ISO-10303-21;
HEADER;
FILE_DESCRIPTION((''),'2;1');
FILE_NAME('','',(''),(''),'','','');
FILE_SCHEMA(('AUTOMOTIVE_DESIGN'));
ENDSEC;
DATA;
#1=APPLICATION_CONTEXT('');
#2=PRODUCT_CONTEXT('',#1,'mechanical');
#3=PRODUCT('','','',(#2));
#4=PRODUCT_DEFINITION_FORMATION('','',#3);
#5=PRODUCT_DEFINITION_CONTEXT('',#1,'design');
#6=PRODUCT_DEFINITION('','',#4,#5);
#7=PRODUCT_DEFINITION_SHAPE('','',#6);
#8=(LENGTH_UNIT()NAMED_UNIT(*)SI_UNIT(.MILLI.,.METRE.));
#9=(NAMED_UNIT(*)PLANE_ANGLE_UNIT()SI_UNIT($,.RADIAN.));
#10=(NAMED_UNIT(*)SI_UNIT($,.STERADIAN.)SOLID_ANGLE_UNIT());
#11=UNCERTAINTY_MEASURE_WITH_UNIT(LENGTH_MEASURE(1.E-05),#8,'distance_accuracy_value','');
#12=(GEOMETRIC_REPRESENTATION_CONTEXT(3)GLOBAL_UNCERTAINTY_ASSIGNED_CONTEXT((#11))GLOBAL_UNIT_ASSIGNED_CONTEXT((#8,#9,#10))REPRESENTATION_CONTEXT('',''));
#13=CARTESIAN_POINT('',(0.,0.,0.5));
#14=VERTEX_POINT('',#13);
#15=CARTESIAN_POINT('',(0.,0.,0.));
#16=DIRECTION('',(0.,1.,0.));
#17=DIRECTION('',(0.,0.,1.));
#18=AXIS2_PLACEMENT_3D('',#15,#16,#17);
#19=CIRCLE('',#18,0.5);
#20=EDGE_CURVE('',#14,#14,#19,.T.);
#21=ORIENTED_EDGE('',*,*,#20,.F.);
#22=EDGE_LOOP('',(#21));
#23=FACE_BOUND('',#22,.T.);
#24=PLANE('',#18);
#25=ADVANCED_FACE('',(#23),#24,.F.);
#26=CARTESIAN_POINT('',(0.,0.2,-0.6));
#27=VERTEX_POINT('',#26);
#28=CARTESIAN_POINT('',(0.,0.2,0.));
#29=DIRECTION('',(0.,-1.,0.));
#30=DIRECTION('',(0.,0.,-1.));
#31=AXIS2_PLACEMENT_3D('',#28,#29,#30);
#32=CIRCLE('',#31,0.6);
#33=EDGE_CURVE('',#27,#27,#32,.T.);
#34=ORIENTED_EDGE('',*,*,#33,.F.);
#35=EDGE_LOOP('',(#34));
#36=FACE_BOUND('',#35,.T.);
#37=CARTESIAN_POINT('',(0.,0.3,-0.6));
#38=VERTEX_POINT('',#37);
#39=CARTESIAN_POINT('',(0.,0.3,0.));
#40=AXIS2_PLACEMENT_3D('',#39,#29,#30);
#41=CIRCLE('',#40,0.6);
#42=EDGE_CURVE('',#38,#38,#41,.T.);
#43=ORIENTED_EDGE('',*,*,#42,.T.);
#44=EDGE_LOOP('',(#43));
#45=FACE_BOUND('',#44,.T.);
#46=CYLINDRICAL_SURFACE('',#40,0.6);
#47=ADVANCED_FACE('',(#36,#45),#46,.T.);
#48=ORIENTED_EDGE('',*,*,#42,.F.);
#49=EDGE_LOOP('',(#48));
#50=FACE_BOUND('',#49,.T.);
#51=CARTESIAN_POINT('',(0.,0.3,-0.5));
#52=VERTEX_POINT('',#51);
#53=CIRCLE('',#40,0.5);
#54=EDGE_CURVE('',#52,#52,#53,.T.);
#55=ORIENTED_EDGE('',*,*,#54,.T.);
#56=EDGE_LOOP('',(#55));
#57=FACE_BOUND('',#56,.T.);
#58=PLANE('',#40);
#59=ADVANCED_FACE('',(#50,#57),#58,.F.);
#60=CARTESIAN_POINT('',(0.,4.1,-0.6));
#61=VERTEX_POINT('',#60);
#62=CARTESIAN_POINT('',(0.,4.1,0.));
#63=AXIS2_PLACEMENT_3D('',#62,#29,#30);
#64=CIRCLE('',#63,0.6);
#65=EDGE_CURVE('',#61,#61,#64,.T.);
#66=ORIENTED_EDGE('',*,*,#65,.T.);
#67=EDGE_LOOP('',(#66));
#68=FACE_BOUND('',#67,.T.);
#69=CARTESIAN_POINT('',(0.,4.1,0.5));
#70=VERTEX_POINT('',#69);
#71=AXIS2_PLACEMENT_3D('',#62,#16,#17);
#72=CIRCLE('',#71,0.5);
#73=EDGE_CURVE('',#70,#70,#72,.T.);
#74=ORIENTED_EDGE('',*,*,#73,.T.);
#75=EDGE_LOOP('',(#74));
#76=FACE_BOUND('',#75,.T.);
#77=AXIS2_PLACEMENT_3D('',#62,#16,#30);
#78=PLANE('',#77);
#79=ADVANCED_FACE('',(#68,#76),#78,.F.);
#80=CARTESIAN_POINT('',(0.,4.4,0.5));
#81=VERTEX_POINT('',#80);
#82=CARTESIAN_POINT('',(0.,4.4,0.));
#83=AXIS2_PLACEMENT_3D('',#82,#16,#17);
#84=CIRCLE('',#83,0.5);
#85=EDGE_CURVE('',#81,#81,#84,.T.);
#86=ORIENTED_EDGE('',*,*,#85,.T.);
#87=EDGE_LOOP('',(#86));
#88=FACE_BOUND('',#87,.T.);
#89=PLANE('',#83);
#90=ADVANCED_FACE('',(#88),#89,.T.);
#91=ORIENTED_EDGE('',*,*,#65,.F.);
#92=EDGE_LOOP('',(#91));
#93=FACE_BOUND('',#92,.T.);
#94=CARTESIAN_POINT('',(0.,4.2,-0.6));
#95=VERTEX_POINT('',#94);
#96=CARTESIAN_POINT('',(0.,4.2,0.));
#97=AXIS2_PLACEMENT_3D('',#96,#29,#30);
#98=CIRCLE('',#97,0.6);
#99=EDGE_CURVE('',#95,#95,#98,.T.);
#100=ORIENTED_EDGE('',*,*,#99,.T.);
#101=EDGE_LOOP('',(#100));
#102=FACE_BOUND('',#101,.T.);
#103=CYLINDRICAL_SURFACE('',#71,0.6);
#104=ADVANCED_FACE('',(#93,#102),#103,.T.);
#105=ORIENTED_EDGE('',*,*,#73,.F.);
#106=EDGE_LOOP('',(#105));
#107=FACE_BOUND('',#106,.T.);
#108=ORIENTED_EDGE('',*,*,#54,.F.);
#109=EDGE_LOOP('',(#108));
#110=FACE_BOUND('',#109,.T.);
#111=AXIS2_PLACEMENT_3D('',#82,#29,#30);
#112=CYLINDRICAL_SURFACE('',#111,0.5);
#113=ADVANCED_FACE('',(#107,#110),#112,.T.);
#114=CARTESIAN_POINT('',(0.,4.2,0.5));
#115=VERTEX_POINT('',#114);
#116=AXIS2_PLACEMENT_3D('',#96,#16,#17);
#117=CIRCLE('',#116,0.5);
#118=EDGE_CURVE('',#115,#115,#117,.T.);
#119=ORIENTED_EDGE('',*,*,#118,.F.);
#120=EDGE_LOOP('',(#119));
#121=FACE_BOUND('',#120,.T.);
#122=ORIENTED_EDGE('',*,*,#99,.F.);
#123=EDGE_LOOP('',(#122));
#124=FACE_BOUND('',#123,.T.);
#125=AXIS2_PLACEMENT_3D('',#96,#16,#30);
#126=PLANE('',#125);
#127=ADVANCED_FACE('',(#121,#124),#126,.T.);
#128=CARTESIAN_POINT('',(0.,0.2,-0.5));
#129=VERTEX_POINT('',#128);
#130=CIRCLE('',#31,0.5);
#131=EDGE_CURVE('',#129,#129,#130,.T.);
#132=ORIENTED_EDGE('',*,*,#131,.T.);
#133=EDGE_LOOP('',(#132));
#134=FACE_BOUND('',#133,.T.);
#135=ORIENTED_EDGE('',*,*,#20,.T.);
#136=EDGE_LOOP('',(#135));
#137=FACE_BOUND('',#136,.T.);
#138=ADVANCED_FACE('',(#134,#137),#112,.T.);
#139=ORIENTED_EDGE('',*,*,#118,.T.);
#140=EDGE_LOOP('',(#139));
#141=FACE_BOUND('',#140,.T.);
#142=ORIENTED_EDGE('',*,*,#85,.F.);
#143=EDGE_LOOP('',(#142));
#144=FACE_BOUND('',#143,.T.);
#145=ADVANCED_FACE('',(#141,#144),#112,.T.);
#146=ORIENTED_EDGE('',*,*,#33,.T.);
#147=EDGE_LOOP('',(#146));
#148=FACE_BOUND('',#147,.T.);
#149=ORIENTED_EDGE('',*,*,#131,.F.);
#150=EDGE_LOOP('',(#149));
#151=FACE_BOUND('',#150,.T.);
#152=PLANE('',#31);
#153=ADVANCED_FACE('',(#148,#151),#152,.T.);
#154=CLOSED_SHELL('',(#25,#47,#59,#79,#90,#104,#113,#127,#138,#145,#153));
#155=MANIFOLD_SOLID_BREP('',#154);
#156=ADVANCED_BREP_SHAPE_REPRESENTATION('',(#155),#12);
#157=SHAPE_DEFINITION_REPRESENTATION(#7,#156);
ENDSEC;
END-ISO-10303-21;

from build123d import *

# Parameters (mm, degrees)
CROQUIS1_R              = 0.5
SALIENTE_EXTRUIR1_DEPTH = 4.4
SALIENTE_EXTRUIR2_START = -0.2
CROQUIS2_R              = 0.6
SALIENTE_EXTRUIR2_DEPTH = 0.1


with BuildPart() as part:
    # Croquis1 → Saliente-Extruir1 (new body)
    with BuildSketch(Plane(origin=(0, 0, 0), x_dir=(1, 0, 0), z_dir=(0, 1, 0))):
        with Locations(Location((0, 0, 0), (0, 0, 270))):
            Circle(CROQUIS1_R)
    extrude(amount=SALIENTE_EXTRUIR1_DEPTH)

    # Croquis2 → Saliente-Extruir2 (add)
    with BuildSketch(Plane.XZ.offset(SALIENTE_EXTRUIR2_START)):
        with Locations(Location((0, 0, 0), (0, 0, 270))):
            Circle(CROQUIS2_R)
    saliente_extruir2 = extrude(amount=-SALIENTE_EXTRUIR2_DEPTH)

    # Simetría1: Saliente-Extruir2 across plane
    add(saliente_extruir2.mirror(Plane(origin=(0, 2.2, 0), x_dir=(0, 0, 1), z_dir=(0, -1, 0))))


solid = part.part
